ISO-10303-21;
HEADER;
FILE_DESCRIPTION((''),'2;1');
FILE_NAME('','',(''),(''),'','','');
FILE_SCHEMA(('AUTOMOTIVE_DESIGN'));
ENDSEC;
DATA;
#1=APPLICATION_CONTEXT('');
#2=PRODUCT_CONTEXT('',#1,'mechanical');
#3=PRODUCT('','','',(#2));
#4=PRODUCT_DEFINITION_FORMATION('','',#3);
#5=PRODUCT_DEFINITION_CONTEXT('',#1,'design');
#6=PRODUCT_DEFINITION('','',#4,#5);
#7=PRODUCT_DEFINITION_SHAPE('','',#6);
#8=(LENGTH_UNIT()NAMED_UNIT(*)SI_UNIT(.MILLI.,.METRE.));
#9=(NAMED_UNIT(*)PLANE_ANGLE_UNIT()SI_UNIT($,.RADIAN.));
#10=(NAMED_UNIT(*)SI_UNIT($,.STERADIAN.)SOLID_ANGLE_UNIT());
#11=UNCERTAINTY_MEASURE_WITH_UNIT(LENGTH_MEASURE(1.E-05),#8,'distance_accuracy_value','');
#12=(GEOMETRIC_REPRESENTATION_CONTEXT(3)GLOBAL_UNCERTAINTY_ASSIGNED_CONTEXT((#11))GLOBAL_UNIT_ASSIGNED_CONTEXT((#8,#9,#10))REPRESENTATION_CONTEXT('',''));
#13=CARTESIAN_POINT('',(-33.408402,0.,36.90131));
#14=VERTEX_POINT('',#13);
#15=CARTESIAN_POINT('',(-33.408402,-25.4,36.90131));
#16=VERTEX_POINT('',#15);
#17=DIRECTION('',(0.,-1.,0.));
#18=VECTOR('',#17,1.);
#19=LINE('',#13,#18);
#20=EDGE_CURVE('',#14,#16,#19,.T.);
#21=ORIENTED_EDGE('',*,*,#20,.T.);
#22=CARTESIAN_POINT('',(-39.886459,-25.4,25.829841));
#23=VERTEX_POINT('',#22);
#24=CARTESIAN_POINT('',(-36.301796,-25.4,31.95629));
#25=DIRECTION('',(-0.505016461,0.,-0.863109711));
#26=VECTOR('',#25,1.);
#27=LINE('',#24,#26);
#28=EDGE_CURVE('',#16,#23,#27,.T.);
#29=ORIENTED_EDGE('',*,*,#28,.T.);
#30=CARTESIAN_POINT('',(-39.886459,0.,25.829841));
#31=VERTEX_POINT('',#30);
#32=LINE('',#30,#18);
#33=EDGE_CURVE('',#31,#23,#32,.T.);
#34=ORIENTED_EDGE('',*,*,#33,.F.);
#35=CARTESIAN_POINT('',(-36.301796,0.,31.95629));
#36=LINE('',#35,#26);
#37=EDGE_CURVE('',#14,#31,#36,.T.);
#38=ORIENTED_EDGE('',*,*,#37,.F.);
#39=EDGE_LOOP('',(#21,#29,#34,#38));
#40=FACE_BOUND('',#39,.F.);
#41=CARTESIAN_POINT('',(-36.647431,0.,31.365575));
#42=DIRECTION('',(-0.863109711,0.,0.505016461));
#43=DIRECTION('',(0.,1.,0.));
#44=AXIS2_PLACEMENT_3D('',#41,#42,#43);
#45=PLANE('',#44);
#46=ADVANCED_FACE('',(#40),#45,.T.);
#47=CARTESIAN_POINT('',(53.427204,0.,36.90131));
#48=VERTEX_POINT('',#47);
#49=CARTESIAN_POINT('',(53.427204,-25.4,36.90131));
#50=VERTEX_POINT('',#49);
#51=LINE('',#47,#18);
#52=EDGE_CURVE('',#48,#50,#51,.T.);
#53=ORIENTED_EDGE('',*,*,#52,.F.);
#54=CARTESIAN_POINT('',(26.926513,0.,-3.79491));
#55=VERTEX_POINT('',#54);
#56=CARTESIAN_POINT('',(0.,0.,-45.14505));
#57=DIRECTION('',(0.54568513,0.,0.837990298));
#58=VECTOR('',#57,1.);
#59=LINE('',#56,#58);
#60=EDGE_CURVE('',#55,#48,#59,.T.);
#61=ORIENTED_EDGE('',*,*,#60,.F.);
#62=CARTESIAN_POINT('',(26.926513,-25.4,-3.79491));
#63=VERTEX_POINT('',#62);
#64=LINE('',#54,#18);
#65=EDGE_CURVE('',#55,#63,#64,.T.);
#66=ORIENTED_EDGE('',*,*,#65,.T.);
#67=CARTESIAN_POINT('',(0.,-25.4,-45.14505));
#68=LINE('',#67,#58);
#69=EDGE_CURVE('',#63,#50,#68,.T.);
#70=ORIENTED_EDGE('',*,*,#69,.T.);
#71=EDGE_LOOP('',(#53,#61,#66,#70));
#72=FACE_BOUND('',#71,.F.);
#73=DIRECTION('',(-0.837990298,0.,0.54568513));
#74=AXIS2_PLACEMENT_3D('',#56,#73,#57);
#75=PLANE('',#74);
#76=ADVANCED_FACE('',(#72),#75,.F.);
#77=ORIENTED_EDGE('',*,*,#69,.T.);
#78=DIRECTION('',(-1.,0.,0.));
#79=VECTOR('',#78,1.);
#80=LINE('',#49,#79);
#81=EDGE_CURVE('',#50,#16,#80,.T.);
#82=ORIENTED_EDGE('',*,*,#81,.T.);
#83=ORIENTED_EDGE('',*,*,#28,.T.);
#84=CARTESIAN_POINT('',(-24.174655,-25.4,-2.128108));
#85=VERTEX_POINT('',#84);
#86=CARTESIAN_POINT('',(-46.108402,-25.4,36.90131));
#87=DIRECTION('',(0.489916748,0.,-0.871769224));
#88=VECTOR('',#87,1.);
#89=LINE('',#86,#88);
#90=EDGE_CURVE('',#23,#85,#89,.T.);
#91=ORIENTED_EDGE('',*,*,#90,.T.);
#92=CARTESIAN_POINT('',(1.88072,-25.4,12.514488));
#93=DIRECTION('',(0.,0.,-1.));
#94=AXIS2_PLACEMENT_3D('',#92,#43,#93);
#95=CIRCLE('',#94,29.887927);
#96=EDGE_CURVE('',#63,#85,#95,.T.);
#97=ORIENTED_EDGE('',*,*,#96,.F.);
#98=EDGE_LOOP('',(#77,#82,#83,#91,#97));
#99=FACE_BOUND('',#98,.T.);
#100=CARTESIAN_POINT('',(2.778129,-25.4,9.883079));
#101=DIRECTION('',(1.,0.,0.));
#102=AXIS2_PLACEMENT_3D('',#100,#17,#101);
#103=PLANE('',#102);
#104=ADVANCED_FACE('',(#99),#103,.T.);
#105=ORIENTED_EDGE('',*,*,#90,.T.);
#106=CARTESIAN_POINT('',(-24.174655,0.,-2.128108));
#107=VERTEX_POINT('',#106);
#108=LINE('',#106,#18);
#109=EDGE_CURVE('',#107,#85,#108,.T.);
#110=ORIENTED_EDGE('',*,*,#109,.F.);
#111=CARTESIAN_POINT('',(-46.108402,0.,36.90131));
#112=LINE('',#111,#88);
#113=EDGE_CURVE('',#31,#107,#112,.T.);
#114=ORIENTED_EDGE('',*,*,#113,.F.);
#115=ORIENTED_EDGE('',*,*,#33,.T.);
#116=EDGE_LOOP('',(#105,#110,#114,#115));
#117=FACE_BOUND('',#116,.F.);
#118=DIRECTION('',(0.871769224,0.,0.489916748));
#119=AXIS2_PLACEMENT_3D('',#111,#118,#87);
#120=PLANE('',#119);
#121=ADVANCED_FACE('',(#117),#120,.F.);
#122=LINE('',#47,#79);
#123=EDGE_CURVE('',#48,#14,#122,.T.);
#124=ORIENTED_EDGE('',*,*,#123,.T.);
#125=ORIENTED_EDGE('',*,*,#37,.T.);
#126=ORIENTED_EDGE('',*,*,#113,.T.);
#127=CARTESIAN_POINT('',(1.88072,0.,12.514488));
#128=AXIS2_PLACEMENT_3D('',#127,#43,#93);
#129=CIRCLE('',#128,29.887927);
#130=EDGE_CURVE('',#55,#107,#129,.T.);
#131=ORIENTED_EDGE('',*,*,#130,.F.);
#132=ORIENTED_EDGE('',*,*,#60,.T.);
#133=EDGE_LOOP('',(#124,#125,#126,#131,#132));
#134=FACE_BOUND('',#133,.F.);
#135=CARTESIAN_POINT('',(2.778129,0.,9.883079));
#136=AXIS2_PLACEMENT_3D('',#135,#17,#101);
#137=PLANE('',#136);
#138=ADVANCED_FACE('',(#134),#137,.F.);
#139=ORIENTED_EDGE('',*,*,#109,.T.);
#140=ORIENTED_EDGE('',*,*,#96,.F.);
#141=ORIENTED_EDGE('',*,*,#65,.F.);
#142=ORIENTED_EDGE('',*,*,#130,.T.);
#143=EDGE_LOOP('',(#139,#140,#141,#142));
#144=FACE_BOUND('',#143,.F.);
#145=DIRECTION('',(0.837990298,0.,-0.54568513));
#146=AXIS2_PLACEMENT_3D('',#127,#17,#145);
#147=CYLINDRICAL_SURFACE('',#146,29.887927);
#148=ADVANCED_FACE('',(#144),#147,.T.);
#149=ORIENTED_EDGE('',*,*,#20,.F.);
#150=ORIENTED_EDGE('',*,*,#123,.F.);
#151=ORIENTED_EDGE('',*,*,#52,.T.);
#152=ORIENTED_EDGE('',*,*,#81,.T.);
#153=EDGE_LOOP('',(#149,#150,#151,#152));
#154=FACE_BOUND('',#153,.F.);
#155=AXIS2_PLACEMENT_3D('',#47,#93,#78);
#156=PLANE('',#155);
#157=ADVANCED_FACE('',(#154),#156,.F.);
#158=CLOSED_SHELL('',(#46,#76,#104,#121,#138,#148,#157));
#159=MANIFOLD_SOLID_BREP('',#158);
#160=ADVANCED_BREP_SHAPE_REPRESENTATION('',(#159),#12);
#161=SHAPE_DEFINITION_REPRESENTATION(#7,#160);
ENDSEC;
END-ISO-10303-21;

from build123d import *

# Parameters (mm, degrees)
F1_DEPTH = 25.4
F2_SIZE  = 12.7
F3_R     = 29.887927


with BuildPart() as f1:
    # F0 (on Front) → F1 (new body)
    with BuildSketch(Plane.XZ):
        Polygon((53.427204, 36.90131), (-46.108402, 36.90131), (0, -45.14505), align=None)
    extrude(amount=F1_DEPTH)

    # F2
    f2_edges = [f1.edges().sort_by_distance(p)[0] for p in [
        (-46.108402, -12.7, 36.90131),
    ]]
    chamfer(f2_edges, length=F2_SIZE)

    # F3
    f3_edges = [f1.edges().sort_by_distance(p)[0] for p in [
        (0, -12.7, -45.14505),
    ]]
    fillet(f3_edges, radius=F3_R)


solid = f1.part
